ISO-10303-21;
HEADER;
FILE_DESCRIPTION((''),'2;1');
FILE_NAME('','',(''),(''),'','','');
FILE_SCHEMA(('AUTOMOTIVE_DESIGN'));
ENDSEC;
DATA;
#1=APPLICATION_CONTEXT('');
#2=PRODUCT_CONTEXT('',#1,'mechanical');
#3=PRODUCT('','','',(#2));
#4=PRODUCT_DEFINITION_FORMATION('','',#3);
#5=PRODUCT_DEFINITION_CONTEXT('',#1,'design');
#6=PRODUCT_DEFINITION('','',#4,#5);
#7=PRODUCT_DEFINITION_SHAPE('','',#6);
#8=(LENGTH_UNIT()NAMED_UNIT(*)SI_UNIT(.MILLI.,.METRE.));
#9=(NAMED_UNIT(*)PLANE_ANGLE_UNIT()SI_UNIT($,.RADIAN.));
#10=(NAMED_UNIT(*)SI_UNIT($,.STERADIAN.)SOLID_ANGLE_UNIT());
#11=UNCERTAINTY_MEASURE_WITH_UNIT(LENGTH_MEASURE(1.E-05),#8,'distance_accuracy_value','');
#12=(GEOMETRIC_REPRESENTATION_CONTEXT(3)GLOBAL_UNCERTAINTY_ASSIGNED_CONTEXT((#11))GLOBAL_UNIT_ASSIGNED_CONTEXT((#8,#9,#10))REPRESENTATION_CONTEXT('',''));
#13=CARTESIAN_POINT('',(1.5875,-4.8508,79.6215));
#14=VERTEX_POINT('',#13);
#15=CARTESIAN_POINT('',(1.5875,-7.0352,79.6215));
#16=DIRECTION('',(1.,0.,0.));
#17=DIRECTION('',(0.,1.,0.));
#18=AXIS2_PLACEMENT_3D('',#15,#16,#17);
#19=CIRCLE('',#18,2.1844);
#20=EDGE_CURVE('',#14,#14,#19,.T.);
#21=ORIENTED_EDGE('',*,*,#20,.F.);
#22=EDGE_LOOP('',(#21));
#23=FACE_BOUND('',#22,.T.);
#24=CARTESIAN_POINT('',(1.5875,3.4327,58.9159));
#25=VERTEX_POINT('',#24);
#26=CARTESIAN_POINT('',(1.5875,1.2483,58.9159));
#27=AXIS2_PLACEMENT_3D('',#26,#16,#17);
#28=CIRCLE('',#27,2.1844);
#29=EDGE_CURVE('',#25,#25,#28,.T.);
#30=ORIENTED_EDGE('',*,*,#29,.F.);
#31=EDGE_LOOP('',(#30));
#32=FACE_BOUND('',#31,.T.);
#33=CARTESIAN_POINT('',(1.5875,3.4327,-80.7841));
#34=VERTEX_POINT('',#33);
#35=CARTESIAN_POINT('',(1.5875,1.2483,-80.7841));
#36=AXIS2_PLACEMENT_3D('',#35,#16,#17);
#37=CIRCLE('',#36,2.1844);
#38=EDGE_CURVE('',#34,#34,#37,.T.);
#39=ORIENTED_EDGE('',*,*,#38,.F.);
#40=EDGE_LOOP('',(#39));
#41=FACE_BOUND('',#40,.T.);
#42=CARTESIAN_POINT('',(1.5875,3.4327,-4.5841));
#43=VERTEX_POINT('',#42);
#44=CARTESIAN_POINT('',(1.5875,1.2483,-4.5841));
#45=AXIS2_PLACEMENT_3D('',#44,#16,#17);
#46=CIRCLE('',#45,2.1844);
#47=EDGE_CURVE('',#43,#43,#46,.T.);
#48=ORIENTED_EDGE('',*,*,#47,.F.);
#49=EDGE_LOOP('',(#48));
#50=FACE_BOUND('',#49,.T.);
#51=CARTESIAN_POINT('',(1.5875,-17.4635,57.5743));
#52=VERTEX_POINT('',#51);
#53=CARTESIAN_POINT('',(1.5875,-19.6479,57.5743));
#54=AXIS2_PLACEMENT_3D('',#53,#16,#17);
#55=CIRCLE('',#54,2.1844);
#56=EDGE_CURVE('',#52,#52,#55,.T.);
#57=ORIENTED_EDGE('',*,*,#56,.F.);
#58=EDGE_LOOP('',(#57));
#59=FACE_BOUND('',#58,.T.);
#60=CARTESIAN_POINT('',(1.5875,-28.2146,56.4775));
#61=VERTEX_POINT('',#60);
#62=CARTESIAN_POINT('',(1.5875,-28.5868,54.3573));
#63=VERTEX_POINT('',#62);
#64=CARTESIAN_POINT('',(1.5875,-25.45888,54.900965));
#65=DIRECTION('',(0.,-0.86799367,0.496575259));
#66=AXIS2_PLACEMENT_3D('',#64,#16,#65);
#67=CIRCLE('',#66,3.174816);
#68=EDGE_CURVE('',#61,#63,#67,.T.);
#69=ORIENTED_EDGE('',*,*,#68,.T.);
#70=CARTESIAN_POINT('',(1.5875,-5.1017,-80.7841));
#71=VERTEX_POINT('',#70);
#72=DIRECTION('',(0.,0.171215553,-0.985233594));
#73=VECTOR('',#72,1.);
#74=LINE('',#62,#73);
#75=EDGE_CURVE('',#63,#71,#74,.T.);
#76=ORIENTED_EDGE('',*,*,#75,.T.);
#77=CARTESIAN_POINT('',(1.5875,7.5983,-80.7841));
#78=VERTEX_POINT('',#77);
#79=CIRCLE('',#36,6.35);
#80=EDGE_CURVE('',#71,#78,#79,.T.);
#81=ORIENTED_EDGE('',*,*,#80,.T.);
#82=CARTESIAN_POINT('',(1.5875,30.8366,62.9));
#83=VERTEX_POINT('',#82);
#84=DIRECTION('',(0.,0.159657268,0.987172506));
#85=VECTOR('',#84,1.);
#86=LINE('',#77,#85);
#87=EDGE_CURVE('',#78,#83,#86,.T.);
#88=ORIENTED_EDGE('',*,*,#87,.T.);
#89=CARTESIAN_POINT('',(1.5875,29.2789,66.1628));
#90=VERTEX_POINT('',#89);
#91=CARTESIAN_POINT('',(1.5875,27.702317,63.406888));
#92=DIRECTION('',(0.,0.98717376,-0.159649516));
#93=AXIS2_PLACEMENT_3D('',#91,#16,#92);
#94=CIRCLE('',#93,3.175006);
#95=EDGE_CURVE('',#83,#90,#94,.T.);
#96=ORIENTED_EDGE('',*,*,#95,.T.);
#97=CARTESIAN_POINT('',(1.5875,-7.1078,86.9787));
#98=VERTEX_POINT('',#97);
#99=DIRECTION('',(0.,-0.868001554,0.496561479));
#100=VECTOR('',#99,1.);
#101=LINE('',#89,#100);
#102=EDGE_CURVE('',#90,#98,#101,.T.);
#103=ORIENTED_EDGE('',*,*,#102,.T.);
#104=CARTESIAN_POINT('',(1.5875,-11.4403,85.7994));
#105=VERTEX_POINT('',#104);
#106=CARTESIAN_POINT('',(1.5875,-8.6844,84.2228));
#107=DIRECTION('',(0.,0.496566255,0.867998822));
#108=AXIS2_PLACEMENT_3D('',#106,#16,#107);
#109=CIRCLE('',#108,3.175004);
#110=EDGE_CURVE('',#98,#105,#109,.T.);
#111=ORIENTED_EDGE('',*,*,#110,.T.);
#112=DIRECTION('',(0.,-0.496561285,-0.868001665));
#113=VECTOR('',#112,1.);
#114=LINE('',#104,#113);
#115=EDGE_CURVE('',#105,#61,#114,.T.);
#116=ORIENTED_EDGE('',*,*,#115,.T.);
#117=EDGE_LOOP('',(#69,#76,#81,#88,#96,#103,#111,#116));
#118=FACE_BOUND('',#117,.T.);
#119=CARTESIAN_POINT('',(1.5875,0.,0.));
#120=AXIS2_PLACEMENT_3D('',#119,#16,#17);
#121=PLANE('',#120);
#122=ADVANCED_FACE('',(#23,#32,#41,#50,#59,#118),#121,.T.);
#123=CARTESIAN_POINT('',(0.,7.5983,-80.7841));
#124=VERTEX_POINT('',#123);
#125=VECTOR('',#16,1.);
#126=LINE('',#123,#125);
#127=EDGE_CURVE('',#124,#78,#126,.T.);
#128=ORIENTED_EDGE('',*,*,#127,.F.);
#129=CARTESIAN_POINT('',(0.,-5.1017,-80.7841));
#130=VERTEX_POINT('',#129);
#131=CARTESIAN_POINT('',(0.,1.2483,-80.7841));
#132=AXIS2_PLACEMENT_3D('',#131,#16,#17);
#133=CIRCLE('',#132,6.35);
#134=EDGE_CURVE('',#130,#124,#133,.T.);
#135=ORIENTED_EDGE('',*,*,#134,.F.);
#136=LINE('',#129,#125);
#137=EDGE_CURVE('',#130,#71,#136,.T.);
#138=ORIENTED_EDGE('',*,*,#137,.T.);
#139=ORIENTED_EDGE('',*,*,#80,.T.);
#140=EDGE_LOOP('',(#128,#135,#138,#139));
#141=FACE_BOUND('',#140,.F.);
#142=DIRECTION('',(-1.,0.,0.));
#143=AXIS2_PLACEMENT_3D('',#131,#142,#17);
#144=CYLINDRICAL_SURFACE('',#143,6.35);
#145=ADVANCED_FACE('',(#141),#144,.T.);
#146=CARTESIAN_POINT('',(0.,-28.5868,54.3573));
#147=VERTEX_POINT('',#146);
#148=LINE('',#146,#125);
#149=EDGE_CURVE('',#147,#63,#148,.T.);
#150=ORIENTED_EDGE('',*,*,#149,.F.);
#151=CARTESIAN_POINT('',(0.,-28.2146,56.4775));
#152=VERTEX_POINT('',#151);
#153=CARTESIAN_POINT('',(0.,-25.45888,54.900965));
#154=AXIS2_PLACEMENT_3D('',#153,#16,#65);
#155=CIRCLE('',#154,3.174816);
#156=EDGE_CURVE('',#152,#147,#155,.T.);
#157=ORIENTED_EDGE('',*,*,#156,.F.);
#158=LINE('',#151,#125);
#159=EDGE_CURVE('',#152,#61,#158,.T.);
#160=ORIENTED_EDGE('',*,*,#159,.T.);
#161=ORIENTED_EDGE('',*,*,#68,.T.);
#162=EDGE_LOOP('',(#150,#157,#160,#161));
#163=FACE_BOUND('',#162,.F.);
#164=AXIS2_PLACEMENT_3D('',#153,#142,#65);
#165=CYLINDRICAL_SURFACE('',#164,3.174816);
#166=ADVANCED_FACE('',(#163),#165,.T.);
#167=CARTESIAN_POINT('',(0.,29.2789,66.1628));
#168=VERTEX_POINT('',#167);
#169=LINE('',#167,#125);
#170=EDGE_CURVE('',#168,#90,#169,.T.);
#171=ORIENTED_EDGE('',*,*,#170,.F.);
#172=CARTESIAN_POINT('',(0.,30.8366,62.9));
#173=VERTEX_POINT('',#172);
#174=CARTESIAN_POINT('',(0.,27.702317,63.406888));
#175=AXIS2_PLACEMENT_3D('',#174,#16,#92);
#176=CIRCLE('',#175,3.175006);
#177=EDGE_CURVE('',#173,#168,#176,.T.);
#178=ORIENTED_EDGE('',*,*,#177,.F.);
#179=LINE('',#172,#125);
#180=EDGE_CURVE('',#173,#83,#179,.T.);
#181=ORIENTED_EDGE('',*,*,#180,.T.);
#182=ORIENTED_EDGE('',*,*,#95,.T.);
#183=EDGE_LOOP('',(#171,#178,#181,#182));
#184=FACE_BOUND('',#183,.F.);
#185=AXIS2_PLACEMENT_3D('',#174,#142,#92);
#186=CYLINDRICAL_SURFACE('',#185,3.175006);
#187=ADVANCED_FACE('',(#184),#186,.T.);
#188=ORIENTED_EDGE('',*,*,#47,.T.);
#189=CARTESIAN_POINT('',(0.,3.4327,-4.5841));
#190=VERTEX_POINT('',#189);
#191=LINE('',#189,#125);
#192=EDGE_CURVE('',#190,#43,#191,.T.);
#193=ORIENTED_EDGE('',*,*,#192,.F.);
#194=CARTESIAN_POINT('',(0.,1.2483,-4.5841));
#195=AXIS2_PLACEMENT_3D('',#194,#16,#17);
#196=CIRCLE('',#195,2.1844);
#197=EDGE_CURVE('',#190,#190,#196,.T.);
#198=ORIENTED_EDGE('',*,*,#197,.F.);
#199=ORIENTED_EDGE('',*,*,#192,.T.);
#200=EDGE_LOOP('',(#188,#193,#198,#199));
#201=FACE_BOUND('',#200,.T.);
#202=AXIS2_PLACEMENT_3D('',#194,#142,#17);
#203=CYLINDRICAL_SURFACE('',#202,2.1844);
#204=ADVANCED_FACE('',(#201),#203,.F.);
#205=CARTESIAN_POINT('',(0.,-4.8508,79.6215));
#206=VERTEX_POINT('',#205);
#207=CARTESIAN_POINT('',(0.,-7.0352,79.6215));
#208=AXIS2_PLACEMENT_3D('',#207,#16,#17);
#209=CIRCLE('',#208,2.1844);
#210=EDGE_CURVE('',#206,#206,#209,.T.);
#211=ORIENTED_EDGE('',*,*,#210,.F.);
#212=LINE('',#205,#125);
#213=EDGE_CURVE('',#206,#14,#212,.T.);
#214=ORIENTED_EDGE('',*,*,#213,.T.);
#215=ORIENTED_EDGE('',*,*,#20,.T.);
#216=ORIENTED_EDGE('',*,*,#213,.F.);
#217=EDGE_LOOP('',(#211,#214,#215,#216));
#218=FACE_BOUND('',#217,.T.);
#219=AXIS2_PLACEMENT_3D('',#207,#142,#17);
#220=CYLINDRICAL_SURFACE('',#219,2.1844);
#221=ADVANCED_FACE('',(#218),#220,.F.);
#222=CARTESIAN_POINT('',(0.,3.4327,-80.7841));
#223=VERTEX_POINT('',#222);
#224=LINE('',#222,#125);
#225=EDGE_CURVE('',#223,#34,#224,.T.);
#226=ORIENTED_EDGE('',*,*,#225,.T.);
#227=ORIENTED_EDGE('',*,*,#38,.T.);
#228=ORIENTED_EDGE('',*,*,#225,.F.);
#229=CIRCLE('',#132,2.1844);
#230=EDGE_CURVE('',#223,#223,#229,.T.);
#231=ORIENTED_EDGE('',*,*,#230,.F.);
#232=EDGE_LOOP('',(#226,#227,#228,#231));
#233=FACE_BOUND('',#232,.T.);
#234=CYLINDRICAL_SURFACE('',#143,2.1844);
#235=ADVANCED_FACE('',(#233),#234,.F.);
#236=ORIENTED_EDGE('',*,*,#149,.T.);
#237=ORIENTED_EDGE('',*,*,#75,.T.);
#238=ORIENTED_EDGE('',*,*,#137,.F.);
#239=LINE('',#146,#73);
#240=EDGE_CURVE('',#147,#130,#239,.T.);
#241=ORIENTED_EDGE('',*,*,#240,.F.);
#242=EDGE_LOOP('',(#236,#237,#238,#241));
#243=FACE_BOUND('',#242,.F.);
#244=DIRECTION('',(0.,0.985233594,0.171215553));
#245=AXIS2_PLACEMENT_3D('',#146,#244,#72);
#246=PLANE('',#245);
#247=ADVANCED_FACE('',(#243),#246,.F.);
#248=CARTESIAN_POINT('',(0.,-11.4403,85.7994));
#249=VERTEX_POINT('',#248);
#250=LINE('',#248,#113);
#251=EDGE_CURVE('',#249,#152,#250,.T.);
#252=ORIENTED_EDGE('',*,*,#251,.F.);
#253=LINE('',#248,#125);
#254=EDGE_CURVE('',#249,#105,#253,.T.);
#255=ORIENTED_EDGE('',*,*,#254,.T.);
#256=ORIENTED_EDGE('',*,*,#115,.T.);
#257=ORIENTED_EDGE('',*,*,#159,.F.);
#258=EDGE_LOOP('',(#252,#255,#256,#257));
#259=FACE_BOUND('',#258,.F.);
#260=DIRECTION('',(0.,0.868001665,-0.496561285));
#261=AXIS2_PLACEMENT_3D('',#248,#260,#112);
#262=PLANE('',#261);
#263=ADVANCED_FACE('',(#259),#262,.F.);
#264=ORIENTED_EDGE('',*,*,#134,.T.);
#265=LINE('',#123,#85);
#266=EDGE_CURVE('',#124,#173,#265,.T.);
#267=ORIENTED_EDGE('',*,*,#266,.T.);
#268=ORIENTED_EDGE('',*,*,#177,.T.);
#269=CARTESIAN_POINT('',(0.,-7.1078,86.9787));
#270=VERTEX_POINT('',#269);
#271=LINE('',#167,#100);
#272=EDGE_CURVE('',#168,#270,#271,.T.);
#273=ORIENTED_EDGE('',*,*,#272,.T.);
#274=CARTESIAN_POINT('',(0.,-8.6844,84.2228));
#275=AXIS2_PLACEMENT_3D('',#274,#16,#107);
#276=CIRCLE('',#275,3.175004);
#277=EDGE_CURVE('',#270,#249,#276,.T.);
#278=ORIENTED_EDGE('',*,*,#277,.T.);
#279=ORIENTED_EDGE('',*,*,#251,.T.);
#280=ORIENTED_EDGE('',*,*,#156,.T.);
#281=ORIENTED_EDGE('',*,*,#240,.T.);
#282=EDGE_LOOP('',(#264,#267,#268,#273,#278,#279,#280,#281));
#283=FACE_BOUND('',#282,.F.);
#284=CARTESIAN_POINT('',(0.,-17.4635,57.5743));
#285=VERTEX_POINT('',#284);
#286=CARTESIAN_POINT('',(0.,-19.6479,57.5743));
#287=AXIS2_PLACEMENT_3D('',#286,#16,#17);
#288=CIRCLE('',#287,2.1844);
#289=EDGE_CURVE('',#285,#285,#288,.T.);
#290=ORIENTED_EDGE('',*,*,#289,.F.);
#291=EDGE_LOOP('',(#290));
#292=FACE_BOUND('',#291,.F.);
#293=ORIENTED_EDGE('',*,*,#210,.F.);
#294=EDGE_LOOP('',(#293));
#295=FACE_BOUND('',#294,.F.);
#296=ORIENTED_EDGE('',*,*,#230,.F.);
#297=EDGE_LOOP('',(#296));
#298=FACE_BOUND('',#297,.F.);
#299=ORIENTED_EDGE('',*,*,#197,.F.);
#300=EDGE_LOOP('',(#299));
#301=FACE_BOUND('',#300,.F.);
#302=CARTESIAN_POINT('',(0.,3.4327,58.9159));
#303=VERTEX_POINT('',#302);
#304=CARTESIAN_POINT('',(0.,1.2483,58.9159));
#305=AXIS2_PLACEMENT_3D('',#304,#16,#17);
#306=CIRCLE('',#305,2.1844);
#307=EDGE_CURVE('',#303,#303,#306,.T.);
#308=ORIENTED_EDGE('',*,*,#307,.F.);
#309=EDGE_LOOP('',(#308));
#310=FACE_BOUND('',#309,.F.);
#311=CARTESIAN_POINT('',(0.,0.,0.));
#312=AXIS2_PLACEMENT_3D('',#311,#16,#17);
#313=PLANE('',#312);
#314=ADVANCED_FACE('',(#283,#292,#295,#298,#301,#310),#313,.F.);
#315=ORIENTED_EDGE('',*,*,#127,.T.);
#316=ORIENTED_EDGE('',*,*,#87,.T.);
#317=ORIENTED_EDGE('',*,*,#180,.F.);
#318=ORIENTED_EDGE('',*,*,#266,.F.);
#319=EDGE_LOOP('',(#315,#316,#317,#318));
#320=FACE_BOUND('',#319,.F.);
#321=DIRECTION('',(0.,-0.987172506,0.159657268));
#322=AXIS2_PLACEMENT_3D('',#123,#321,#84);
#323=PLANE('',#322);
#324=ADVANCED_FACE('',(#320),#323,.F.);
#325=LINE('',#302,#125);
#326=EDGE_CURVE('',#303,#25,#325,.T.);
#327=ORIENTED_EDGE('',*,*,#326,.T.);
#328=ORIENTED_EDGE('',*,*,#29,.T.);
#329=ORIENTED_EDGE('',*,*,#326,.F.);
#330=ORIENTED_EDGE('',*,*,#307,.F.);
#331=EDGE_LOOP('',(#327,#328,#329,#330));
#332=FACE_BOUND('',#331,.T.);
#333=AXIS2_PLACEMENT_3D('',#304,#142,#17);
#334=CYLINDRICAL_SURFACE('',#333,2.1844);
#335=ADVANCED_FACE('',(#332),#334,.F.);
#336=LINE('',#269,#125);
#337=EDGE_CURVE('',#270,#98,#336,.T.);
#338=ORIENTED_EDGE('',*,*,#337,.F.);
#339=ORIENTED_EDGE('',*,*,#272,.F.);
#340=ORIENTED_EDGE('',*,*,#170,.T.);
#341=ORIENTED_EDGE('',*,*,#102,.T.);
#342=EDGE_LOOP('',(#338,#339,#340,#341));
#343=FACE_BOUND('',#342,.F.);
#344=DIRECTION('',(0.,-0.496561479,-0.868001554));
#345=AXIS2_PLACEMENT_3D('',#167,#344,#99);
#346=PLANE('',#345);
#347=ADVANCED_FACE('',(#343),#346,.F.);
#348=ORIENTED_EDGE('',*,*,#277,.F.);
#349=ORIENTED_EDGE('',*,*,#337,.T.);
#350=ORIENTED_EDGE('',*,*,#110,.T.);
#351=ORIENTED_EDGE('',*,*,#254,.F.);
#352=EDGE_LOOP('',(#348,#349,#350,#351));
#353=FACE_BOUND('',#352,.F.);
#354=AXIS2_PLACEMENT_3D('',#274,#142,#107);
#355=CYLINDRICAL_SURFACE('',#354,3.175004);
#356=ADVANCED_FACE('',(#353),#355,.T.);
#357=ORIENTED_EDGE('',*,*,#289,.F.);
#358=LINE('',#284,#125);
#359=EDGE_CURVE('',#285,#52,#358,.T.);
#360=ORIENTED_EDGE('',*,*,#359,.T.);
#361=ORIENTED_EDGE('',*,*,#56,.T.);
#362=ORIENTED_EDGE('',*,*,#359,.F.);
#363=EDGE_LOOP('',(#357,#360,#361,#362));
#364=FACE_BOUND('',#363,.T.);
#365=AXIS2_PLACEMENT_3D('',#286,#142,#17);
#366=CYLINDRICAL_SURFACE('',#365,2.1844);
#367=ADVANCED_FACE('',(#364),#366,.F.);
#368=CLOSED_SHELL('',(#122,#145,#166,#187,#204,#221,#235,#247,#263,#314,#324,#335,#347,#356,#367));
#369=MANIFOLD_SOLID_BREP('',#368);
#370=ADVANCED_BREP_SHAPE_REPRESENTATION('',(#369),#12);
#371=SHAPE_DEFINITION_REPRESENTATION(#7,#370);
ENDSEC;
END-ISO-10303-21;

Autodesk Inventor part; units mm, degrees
ref_plane "YZ Plane" through (0, 0, 0) normal (1, 0, 0) x (0, 1, 0)
ref_plane "XZ Plane" through (0, 0, 0) normal (0, 1, 0) x (-1, 0, 0)
ref_plane "XY Plane" through (0, 0, 0) normal (0, 0, 1) x (1, 0, 0)
sketch "Sketch1" plane through (0, 0, 0) normal (1, 0, 0) x (0, 1, 0)
  circle A0 centre (1.2483, -80.7841) radius 2.1844
  circle A1 centre (1.2483, -80.7841) radius 6.35
  line L0 (7.5983, -80.7841) -> (30.8366, 62.9)
  line L1 (29.2789, 66.1628) -> (-7.1078, 86.9787)
  line L2 (-28.5868, 54.3573) -> (-5.1017, -80.7841)
  circle A2 centre (-7.0352, 79.6215) radius 2.1844
  circle A3 centre (-19.6479, 57.5743) radius 2.1844
  line L3 (-11.4403, 85.7994) -> (-28.2146, 56.4775)
  arc A4 (-7.1078, 86.9787) -> (-11.4403, 85.7994) centre (-8.6844, 84.2228) ccw
  arc A5 (30.8366, 62.9) -> (29.2789, 66.1628) centre (27.7024, 63.4069) ccw
  arc A6 (-28.2146, 56.4775) -> (-28.5868, 54.3573) centre (-25.4587, 54.9009) ccw
  circle A7 centre (1.2483, 58.9159) radius 2.1844
  circle A8 centre (1.2483, -4.5841) radius 2.1844
  point P0 (0, 0)
  point P1 (-9.8637, 88.5553)
  point P2 (-28.7827, 55.4844)
  dimension "d0" = 12.7
  dimension "d1" = 38.1
  dimension "d2" = 4.3688
  dimension "d3" = 4.3688
  dimension "d4" = 3.175
  dimension "d5" = 3.175
extrude "Extrusion1" add sketch "Sketch1" along normal blind 1.5875
properties part number "preroller"
